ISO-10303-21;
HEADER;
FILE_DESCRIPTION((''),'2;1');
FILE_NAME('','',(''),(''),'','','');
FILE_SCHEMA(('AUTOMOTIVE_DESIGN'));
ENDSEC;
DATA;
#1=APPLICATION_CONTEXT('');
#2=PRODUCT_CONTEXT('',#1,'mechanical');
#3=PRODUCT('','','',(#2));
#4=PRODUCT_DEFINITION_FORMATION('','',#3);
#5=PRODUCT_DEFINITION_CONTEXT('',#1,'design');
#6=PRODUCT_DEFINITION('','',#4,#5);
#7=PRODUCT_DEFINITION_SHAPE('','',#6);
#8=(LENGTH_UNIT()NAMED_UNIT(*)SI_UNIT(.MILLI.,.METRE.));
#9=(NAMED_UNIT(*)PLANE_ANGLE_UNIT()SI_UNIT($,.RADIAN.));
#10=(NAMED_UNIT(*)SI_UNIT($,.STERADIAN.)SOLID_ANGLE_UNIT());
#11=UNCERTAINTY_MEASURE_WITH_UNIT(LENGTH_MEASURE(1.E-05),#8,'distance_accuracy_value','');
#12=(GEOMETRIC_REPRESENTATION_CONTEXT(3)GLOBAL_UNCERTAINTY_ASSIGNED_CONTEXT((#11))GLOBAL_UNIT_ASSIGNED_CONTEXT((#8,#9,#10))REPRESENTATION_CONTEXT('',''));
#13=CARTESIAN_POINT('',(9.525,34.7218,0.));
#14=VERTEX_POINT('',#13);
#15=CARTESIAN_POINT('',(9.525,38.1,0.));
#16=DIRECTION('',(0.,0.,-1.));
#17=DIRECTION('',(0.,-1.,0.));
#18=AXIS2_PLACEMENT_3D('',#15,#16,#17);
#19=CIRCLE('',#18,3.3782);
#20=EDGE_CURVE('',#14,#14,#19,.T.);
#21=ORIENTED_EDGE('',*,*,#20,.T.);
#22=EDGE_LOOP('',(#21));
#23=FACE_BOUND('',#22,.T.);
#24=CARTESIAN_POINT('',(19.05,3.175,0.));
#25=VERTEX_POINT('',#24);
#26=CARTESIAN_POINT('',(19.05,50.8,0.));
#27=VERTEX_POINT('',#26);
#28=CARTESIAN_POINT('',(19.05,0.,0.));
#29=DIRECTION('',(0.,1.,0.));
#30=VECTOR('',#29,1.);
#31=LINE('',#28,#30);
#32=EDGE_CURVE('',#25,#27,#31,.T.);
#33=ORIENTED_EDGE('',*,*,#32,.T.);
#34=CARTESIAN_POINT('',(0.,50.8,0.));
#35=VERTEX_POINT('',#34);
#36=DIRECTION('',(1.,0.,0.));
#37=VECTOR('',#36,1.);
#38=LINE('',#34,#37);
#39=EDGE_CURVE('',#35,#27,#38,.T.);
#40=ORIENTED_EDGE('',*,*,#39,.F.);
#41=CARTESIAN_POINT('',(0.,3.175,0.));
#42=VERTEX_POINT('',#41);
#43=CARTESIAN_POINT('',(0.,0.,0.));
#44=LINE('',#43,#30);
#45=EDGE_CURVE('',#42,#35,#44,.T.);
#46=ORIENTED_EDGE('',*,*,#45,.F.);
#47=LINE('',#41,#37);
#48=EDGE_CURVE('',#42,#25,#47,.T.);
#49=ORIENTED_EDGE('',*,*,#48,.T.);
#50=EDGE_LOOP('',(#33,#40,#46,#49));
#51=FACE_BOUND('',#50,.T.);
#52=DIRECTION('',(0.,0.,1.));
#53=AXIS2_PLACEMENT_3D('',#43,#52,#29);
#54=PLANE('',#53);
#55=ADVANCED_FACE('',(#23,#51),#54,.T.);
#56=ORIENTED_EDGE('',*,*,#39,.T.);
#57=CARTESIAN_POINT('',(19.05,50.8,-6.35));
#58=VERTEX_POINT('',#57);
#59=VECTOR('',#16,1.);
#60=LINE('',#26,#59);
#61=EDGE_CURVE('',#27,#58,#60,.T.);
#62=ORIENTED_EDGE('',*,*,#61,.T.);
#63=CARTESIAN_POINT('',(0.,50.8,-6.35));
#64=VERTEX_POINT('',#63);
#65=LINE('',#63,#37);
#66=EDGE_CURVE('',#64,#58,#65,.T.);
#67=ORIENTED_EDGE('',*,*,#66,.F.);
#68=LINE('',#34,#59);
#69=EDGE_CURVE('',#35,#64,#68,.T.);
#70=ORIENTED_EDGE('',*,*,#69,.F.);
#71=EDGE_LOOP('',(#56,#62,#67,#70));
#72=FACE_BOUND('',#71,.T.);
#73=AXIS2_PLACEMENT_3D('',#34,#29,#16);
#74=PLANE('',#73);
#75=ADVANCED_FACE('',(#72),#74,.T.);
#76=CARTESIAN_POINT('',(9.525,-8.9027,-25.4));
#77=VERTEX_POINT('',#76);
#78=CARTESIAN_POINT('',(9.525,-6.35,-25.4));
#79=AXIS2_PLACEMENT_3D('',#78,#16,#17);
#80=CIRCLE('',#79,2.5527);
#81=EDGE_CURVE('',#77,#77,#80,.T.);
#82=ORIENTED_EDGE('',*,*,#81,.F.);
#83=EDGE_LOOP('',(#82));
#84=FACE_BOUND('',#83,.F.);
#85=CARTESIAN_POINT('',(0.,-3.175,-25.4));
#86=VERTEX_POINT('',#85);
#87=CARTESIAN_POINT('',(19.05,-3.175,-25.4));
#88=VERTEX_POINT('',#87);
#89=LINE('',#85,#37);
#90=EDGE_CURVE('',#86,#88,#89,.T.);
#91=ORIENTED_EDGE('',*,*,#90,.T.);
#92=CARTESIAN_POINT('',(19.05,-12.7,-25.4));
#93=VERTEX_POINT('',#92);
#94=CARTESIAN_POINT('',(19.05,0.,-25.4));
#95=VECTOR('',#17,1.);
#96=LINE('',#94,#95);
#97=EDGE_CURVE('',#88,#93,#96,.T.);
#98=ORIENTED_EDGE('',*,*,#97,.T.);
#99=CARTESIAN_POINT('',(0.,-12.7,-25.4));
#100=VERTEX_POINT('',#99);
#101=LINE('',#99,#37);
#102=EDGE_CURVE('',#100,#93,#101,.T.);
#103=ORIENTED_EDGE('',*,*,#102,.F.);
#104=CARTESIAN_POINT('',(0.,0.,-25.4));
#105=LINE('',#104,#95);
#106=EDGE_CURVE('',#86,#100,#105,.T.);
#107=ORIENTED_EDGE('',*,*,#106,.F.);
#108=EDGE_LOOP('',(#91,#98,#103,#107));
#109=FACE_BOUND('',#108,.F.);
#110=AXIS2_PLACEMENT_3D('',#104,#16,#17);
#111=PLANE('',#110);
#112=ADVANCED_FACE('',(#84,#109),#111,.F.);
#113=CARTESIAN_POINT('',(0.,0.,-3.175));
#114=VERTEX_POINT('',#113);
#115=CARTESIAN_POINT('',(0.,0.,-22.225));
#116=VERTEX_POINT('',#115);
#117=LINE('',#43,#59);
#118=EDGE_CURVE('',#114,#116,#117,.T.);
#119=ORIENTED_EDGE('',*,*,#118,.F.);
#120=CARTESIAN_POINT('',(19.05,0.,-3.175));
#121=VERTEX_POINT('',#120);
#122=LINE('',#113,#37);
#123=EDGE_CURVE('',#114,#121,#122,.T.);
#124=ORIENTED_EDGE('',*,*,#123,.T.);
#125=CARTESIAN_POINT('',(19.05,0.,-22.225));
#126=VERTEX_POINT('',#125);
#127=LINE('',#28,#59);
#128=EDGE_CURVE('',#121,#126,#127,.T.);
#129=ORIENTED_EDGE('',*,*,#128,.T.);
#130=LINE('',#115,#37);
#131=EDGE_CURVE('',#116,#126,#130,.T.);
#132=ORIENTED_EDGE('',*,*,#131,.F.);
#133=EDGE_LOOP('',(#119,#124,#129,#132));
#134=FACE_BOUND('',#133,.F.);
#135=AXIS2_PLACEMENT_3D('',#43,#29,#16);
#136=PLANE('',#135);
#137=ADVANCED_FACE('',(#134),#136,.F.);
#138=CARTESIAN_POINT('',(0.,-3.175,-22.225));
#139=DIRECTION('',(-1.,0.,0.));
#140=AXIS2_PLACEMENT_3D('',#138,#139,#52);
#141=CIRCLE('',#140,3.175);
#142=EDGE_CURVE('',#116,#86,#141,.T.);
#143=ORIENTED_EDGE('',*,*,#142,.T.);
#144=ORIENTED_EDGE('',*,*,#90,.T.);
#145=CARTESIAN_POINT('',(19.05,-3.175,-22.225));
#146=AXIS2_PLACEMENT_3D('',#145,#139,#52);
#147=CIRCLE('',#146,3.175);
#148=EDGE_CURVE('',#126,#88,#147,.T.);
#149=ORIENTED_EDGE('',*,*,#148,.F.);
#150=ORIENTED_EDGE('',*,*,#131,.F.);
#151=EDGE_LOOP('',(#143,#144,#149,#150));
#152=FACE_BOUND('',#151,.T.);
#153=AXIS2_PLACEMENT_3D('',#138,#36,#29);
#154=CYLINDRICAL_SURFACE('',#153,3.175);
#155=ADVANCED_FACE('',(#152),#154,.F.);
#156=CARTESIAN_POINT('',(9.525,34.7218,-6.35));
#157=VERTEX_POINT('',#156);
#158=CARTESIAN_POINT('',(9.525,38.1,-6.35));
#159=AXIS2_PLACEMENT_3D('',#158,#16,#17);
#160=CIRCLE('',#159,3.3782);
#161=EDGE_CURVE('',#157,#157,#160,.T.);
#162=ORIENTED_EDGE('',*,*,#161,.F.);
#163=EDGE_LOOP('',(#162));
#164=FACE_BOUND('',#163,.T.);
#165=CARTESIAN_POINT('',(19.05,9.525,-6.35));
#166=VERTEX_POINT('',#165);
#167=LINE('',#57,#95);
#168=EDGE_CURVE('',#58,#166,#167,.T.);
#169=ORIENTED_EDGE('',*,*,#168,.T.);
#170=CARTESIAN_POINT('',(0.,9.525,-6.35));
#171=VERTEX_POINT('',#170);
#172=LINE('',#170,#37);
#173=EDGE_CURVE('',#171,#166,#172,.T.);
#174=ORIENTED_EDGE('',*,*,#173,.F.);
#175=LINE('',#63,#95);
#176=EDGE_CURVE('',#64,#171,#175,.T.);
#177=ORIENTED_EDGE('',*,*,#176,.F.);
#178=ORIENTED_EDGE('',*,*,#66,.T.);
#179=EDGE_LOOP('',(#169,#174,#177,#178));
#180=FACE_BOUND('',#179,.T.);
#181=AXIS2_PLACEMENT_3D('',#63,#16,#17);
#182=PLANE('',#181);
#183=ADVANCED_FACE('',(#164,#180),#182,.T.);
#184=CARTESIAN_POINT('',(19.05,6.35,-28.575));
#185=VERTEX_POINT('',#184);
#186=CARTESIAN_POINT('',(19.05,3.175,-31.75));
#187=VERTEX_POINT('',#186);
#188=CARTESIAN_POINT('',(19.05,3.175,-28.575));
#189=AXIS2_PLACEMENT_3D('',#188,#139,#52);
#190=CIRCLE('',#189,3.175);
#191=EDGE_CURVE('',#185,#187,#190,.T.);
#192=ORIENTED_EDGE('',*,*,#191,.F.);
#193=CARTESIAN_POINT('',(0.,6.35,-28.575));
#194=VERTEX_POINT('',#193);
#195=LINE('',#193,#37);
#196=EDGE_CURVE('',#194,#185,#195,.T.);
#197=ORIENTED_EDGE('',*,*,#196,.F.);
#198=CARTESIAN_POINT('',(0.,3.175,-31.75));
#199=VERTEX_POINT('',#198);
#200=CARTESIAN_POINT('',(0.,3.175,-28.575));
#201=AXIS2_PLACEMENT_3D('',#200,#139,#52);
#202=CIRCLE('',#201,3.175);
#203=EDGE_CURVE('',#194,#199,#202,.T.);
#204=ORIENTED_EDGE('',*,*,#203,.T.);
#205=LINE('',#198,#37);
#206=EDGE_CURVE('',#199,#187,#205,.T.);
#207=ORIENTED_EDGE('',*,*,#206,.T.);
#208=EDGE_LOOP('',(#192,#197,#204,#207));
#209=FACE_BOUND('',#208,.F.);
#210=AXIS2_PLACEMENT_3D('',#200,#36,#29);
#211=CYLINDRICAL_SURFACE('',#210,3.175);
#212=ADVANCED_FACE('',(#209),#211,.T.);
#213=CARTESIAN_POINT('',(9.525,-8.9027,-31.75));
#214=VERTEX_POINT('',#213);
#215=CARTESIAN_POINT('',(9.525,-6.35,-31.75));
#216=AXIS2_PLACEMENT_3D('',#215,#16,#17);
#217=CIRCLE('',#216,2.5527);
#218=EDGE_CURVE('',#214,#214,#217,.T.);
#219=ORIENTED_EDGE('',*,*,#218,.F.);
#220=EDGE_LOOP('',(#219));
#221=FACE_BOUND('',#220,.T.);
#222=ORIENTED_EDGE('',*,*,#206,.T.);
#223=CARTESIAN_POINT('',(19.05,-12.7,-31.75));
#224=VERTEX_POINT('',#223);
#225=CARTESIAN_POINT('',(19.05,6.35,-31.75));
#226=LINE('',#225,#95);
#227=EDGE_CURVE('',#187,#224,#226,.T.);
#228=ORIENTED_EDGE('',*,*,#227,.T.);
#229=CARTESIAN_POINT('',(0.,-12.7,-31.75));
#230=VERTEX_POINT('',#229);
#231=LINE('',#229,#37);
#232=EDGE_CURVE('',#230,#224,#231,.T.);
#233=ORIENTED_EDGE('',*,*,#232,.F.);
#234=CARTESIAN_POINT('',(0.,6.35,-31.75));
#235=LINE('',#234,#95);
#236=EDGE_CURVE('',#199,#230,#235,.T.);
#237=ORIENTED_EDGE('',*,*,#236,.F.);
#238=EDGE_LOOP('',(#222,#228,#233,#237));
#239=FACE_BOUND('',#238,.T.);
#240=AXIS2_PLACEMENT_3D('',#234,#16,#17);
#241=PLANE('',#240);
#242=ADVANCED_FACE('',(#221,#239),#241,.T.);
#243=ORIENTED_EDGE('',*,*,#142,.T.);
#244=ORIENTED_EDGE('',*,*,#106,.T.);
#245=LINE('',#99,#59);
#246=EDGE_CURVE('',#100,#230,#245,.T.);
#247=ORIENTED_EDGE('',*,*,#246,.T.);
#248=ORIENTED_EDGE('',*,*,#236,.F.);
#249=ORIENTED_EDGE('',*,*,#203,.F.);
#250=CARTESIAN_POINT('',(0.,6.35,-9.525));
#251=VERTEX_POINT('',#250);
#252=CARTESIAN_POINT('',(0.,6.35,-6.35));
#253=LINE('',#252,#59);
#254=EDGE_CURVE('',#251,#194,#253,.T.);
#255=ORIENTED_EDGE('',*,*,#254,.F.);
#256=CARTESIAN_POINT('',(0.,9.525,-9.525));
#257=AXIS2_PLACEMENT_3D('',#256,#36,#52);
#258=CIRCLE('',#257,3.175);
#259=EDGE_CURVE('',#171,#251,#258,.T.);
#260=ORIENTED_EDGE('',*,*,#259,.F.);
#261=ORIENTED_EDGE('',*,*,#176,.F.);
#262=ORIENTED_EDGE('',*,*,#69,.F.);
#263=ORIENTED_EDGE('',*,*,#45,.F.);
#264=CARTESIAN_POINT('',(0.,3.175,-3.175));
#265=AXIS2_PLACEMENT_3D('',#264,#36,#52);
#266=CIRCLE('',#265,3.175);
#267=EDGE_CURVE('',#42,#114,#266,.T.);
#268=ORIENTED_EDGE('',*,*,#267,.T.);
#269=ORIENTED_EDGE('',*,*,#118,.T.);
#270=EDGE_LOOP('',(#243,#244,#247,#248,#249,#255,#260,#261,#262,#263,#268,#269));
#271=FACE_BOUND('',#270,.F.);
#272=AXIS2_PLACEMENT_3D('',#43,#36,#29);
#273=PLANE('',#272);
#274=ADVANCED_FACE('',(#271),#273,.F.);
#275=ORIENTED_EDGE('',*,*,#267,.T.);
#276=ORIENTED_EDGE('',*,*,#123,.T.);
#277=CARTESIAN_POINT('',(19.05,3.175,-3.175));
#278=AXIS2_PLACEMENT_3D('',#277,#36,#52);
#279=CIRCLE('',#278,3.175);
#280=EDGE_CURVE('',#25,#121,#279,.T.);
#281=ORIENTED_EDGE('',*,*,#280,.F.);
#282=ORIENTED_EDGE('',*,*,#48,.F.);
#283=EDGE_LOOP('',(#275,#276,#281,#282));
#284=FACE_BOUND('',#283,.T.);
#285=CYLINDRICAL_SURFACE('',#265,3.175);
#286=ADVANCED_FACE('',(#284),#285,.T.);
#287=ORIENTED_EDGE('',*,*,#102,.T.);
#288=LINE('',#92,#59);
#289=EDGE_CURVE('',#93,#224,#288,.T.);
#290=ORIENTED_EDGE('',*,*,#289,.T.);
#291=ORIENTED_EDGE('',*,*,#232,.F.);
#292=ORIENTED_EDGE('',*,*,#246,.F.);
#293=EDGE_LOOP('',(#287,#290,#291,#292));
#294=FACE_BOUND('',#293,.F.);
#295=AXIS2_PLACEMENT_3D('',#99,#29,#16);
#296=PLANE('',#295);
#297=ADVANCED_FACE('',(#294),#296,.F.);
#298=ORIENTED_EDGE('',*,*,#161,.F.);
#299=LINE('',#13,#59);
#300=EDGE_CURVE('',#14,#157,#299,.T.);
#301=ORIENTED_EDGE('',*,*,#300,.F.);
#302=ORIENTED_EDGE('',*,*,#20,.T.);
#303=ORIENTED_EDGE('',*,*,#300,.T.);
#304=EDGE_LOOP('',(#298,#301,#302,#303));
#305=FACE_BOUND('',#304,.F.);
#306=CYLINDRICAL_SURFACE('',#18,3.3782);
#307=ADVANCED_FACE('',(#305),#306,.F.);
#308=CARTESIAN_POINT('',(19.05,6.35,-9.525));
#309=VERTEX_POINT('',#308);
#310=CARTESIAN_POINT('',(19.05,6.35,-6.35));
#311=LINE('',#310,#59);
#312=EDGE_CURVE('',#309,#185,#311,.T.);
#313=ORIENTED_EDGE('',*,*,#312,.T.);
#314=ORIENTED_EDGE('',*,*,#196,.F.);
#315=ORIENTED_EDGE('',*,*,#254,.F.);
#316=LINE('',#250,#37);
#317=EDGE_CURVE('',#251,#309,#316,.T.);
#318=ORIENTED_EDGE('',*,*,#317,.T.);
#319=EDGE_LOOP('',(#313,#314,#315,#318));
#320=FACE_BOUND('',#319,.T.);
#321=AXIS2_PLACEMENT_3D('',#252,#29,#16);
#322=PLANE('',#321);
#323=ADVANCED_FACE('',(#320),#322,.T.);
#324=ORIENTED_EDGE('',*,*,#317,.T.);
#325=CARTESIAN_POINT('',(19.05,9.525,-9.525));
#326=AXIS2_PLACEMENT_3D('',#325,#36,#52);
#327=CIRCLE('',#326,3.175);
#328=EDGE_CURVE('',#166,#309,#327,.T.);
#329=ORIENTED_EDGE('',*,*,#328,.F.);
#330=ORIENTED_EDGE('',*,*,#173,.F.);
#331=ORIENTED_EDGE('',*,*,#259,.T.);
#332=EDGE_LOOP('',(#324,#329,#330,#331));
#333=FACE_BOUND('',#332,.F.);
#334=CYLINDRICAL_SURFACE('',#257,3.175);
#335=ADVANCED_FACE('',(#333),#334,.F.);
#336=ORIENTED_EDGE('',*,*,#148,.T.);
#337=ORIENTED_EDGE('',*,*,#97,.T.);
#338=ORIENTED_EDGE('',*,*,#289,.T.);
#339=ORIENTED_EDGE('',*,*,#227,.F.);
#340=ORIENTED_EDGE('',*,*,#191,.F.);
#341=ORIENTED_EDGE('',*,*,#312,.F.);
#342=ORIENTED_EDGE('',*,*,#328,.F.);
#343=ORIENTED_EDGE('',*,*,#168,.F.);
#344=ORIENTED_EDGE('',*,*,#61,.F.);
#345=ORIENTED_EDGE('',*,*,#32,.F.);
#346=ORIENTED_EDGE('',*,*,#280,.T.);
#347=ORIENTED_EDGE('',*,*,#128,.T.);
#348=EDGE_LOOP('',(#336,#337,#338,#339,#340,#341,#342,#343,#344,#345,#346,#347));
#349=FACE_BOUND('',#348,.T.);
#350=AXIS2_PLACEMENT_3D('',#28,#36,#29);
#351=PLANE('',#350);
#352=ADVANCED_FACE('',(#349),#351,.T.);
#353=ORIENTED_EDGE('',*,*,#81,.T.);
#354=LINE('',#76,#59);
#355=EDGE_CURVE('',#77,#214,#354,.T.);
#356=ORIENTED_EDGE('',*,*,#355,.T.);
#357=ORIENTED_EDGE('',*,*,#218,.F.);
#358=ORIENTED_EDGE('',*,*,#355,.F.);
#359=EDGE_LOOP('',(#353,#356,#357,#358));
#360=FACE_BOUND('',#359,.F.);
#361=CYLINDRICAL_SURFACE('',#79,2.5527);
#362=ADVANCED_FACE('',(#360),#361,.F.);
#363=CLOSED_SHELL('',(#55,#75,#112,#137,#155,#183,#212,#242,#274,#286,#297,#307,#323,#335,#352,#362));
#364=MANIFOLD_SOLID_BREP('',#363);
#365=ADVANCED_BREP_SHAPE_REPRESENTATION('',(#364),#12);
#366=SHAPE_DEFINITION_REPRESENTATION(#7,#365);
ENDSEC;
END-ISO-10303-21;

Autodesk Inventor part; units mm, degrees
ref_plane "YZ Plane" through (0, 0, 0) normal (1, 0, 0) x (0, 1, 0)
ref_plane "XZ Plane" through (0, 0, 0) normal (0, 1, 0) x (-1, 0, 0)
ref_plane "XY Plane" through (0, 0, 0) normal (0, 0, 1) x (1, 0, 0)
sketch "Sketch1" plane through (0, 0, 0) normal (1, 0, 0) x (0, 1, 0)
  line L0 (0, 0) -> (50.8, 0)
  line L1 (0, 0) -> (0, -25.4)
  line L2 (0, -25.4) -> (-12.7, -25.4)
  line L3 (50.8, -6.35) -> (6.35, -6.35)
  line L4 (6.35, -6.35) -> (6.35, -31.75)
  line L5 (6.35, -31.75) -> (-12.7, -31.75)
  line L6 (50.8, 0) -> (50.8, -6.35)
  line L7 (-12.7, -25.4) -> (-12.7, -31.75)
  dimension "d0" = 50.8
  dimension "d1" = 25.4
  dimension "d2" = 12.7
  dimension "d3" = 6.35
extrude "Extrusion1" add sketch "Sketch1" along normal blind 19.05
sketch "Sketch2" plane through (0, 0, 0) normal (0, 0, 1) x (1, 0, 0)
  line L0 (0, 50.8) -> (19.05, 50.8) construction
  line L1 (19.05, 6.35) -> (19.05, 50.8) construction
  point P0 (0, 0)
  point P1 (9.525, 38.1)
  point P2 (9.525, 50.8)
  point P3 (19.05, 28.575)
  dimension "d21" = 12.7
hole "Hole1" at (9.525, 38.1, 0) direction (0, 0, -1) diameter 6.7564 end through all clearance for "Flat Head Machine Screw (82)" size "1/4" standard "Ansi Unified Screw Threads"
sketch "Sketch3" plane through (0, -12.7, -25.4) normal (0, 0, 1) x (1, 0, 0)
  line L0 (0, 12.7) -> (0, 0) construction
  line L1 (0, 0) -> (19.05, 0) construction
  point P0 (9.525, 6.35)
  point P1 (0, 6.35)
  point P2 (9.525, 0)
hole "Hole2" at (9.525, -6.35, -25.4) direction (0, 0, -1) diameter 5.1054 end through all clearance for "Flat Head Machine Screw (82)" size "#10" standard "Ansi Unified Screw Threads"
fillet "Fillet1" radius 3.175 4 edges at (9.525, 6.35, -6.35) (9.525, 0, -25.4) (9.525, 6.35, -31.75) (9.525, 0, 0)
properties part number "EL2-030" material "ABS Plastic"
